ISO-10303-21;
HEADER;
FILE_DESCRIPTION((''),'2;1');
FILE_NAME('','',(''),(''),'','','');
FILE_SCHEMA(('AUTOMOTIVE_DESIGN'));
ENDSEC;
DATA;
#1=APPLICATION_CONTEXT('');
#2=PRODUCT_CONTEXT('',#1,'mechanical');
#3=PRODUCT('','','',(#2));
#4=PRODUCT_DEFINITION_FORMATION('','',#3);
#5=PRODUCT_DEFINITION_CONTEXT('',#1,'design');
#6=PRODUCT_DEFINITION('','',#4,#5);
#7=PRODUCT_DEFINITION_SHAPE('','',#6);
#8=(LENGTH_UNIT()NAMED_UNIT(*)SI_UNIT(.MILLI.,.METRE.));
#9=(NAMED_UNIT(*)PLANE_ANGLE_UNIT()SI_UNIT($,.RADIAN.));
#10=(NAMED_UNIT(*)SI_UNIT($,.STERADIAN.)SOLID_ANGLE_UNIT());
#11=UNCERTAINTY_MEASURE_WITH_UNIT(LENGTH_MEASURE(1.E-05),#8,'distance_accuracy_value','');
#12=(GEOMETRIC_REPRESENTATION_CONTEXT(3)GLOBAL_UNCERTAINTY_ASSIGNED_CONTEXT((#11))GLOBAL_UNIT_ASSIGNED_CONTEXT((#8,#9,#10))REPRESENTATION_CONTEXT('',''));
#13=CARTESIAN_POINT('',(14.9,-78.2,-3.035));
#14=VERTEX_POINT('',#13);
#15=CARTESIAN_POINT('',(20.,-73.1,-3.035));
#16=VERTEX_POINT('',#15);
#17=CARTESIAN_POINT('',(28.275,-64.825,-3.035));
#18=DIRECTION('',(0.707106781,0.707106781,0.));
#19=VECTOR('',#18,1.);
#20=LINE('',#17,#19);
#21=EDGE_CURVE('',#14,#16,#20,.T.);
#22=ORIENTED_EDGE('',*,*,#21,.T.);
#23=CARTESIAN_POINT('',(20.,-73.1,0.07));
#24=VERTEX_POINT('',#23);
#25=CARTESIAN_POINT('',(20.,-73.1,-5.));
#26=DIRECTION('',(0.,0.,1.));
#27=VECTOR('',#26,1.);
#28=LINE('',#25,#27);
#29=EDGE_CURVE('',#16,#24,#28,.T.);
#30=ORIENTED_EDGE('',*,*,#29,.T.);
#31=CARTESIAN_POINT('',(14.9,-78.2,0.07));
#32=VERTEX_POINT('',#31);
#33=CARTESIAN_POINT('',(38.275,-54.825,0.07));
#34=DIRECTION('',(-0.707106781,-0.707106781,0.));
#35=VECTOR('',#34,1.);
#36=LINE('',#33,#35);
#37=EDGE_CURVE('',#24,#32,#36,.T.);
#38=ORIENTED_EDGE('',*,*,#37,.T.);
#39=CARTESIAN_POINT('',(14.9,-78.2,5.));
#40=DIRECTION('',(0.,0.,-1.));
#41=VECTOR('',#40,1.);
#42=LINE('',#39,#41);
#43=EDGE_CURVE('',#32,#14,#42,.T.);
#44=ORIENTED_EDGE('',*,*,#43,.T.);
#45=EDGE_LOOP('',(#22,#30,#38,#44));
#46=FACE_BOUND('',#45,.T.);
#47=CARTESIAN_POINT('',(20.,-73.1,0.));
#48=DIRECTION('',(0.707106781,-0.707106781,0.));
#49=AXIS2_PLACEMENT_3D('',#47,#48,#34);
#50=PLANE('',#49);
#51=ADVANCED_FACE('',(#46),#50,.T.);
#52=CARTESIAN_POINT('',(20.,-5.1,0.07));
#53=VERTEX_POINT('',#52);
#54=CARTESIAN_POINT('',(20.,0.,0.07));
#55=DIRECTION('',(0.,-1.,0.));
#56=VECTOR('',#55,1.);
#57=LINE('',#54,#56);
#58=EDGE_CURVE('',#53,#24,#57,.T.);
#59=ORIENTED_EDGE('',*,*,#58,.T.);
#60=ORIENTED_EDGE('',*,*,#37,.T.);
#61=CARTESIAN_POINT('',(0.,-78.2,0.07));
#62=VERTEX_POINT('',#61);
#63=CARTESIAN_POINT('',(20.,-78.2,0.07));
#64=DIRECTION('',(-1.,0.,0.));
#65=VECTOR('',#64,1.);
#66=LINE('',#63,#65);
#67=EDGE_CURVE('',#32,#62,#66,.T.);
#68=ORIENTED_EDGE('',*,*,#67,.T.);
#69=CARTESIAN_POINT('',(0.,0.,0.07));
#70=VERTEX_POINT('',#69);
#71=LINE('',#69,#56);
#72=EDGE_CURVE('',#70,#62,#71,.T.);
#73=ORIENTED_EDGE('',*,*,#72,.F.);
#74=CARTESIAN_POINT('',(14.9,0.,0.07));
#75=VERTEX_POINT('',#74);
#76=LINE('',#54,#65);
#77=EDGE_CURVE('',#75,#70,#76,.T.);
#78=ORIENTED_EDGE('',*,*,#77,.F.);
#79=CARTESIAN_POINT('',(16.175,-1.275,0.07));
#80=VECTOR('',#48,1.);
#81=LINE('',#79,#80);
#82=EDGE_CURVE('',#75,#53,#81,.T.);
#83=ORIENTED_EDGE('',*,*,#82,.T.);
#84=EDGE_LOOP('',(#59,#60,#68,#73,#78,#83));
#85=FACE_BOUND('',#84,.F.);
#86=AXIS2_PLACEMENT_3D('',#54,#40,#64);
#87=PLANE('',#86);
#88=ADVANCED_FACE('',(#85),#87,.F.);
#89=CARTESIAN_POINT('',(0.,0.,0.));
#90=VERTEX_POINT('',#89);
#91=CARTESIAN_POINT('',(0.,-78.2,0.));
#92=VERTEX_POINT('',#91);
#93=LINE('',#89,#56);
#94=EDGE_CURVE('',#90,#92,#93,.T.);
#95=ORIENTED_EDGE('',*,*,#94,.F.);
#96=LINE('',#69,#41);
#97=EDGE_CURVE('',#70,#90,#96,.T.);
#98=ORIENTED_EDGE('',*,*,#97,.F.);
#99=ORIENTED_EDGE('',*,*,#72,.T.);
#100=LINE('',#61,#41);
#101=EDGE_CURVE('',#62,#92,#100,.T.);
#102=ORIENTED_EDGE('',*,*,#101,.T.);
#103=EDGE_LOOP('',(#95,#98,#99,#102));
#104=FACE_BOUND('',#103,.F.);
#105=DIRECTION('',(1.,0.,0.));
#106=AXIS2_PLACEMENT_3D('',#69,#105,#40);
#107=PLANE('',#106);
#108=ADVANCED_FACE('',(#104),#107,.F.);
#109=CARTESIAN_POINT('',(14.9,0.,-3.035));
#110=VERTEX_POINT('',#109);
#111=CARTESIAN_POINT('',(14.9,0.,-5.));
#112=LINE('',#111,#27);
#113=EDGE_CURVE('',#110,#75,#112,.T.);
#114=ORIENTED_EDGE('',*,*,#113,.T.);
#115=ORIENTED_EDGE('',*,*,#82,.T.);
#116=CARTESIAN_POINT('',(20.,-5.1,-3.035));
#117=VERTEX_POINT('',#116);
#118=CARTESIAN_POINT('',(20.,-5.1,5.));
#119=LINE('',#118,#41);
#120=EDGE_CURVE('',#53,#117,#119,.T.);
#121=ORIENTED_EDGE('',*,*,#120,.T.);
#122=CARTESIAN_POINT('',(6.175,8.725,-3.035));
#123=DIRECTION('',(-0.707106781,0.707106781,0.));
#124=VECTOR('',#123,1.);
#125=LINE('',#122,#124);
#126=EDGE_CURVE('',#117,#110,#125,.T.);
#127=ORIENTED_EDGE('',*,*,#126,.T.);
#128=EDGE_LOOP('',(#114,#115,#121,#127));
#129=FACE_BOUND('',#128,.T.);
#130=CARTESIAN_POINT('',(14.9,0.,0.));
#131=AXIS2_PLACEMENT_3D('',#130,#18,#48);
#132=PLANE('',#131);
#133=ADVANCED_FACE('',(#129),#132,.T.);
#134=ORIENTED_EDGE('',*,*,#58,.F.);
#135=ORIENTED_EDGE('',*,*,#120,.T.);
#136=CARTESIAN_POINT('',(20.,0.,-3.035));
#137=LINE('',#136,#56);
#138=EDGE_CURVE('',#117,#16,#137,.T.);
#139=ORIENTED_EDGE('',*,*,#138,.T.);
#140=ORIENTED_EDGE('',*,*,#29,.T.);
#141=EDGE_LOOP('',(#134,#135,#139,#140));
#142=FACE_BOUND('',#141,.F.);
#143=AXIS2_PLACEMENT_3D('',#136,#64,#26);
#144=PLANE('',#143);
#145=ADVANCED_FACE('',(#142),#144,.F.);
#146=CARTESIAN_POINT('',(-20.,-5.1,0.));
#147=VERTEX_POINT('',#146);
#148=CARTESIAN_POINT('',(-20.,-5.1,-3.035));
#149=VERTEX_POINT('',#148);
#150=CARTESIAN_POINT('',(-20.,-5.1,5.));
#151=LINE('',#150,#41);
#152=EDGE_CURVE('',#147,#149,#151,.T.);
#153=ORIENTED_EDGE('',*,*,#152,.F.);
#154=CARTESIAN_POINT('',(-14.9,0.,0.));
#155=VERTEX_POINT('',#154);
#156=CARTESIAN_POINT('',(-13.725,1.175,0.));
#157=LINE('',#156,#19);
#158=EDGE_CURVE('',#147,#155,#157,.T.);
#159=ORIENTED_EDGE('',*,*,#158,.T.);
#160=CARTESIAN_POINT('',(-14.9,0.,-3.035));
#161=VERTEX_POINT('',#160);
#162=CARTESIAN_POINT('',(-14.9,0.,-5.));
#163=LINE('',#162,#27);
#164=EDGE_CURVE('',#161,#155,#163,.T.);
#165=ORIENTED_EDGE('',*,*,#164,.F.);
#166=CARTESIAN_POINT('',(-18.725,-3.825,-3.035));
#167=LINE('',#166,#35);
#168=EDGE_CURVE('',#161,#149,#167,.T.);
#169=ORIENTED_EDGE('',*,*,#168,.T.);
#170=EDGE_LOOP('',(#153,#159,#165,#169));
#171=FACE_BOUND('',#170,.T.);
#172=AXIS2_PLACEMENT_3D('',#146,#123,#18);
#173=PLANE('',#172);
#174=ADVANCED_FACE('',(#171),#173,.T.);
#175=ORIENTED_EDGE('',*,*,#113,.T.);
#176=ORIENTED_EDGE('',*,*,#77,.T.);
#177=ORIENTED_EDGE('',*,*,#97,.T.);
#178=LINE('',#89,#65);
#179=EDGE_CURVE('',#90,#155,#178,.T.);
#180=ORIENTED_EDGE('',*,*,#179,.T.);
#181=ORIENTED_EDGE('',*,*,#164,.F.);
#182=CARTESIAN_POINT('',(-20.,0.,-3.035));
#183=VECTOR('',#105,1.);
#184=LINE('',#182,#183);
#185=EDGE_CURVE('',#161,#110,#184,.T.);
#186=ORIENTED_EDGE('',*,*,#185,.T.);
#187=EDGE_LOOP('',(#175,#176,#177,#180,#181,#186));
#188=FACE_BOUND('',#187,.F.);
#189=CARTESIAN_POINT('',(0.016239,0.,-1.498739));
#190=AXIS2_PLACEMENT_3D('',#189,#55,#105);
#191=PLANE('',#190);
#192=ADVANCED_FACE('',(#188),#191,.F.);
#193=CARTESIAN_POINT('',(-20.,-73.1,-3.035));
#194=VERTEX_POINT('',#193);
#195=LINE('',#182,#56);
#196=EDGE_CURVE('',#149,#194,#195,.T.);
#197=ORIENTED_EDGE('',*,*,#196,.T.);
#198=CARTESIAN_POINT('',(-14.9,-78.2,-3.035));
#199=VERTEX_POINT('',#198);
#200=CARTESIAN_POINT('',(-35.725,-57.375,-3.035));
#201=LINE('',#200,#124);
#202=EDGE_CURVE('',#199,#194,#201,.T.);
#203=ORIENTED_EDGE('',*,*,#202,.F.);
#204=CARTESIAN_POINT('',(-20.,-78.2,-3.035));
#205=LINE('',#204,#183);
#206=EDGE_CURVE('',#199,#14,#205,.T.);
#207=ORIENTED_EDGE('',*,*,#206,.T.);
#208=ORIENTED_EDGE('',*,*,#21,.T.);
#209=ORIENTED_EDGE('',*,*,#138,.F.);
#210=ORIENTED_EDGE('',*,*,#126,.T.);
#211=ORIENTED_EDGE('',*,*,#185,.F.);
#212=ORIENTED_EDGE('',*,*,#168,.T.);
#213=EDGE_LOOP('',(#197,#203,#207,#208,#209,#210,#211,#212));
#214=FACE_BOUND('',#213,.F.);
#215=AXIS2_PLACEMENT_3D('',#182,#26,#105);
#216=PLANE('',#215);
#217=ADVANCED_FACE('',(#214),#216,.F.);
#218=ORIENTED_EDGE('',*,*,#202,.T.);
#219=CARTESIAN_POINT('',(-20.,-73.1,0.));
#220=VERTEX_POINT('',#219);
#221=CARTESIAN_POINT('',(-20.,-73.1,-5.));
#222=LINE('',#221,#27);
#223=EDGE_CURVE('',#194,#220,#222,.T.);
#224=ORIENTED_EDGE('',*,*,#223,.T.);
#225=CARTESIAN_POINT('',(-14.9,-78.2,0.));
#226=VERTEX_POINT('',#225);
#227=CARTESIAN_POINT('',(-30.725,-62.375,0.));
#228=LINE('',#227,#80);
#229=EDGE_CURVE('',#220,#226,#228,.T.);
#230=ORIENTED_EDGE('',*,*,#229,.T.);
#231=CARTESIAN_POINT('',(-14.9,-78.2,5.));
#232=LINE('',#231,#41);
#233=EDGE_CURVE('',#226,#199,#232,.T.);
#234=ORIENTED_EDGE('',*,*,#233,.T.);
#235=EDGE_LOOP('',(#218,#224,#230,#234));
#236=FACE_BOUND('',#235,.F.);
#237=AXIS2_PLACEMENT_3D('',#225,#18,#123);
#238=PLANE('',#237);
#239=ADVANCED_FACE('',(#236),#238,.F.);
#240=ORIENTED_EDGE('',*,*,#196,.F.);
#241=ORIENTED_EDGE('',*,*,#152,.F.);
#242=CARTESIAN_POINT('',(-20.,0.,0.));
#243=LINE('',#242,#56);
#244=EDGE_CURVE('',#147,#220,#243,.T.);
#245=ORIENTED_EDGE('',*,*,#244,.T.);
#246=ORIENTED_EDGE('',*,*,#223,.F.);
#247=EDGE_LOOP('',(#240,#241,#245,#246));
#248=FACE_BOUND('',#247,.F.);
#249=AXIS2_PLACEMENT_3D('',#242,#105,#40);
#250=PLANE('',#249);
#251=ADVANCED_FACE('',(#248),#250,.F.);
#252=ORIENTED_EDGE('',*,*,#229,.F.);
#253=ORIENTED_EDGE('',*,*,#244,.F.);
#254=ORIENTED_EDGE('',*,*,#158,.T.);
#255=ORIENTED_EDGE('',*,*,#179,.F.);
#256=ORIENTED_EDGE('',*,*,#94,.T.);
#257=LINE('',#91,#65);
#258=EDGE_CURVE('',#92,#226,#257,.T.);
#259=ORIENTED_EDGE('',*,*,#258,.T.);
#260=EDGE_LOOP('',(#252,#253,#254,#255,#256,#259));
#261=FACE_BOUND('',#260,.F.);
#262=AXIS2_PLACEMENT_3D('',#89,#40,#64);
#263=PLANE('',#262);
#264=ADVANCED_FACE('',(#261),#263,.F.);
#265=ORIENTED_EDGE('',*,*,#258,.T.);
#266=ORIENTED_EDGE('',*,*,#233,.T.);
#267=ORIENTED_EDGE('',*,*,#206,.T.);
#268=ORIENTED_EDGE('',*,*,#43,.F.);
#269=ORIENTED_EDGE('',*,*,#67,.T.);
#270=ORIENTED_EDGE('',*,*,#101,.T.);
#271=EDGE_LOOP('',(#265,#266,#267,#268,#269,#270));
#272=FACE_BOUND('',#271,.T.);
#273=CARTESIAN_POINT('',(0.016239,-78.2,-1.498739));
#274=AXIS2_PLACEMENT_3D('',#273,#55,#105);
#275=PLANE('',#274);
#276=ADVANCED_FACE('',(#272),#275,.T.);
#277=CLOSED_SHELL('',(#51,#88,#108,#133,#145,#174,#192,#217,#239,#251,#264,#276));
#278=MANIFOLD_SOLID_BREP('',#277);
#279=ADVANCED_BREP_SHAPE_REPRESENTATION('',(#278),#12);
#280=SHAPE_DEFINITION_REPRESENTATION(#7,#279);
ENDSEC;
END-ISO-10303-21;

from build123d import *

# Parameters (mm, degrees)
F1_DEPTH = 78.2
F3_DEPTH = 5


with BuildPart() as f1:
    # F0 (on Front) → F1 (new body)
    with BuildSketch(Plane.XZ):
        Polygon((0, 0), (-20, 0), (-20, -3.035), (20, -3.035), (20, 0.07), (0, 0.07), align=None)
    extrude(amount=F1_DEPTH)

    # F2 (on Top) → F3 (cut, symmetric)
    with BuildSketch(Plane.XY):
        Polygon((20, 0), (14.9, 0), (20, -5.1), align=None)
        Polygon((20, -78.2), (20, -73.1), (14.9, -78.2), align=None)
        Polygon((-20, -5.1), (-14.9, 0), (-20, 0), align=None)
        Polygon((-14.9, -78.2), (-20, -73.1), (-20, -78.2), align=None)
    extrude(amount=F3_DEPTH, both=True, mode=Mode.SUBTRACT)


solid = f1.part
